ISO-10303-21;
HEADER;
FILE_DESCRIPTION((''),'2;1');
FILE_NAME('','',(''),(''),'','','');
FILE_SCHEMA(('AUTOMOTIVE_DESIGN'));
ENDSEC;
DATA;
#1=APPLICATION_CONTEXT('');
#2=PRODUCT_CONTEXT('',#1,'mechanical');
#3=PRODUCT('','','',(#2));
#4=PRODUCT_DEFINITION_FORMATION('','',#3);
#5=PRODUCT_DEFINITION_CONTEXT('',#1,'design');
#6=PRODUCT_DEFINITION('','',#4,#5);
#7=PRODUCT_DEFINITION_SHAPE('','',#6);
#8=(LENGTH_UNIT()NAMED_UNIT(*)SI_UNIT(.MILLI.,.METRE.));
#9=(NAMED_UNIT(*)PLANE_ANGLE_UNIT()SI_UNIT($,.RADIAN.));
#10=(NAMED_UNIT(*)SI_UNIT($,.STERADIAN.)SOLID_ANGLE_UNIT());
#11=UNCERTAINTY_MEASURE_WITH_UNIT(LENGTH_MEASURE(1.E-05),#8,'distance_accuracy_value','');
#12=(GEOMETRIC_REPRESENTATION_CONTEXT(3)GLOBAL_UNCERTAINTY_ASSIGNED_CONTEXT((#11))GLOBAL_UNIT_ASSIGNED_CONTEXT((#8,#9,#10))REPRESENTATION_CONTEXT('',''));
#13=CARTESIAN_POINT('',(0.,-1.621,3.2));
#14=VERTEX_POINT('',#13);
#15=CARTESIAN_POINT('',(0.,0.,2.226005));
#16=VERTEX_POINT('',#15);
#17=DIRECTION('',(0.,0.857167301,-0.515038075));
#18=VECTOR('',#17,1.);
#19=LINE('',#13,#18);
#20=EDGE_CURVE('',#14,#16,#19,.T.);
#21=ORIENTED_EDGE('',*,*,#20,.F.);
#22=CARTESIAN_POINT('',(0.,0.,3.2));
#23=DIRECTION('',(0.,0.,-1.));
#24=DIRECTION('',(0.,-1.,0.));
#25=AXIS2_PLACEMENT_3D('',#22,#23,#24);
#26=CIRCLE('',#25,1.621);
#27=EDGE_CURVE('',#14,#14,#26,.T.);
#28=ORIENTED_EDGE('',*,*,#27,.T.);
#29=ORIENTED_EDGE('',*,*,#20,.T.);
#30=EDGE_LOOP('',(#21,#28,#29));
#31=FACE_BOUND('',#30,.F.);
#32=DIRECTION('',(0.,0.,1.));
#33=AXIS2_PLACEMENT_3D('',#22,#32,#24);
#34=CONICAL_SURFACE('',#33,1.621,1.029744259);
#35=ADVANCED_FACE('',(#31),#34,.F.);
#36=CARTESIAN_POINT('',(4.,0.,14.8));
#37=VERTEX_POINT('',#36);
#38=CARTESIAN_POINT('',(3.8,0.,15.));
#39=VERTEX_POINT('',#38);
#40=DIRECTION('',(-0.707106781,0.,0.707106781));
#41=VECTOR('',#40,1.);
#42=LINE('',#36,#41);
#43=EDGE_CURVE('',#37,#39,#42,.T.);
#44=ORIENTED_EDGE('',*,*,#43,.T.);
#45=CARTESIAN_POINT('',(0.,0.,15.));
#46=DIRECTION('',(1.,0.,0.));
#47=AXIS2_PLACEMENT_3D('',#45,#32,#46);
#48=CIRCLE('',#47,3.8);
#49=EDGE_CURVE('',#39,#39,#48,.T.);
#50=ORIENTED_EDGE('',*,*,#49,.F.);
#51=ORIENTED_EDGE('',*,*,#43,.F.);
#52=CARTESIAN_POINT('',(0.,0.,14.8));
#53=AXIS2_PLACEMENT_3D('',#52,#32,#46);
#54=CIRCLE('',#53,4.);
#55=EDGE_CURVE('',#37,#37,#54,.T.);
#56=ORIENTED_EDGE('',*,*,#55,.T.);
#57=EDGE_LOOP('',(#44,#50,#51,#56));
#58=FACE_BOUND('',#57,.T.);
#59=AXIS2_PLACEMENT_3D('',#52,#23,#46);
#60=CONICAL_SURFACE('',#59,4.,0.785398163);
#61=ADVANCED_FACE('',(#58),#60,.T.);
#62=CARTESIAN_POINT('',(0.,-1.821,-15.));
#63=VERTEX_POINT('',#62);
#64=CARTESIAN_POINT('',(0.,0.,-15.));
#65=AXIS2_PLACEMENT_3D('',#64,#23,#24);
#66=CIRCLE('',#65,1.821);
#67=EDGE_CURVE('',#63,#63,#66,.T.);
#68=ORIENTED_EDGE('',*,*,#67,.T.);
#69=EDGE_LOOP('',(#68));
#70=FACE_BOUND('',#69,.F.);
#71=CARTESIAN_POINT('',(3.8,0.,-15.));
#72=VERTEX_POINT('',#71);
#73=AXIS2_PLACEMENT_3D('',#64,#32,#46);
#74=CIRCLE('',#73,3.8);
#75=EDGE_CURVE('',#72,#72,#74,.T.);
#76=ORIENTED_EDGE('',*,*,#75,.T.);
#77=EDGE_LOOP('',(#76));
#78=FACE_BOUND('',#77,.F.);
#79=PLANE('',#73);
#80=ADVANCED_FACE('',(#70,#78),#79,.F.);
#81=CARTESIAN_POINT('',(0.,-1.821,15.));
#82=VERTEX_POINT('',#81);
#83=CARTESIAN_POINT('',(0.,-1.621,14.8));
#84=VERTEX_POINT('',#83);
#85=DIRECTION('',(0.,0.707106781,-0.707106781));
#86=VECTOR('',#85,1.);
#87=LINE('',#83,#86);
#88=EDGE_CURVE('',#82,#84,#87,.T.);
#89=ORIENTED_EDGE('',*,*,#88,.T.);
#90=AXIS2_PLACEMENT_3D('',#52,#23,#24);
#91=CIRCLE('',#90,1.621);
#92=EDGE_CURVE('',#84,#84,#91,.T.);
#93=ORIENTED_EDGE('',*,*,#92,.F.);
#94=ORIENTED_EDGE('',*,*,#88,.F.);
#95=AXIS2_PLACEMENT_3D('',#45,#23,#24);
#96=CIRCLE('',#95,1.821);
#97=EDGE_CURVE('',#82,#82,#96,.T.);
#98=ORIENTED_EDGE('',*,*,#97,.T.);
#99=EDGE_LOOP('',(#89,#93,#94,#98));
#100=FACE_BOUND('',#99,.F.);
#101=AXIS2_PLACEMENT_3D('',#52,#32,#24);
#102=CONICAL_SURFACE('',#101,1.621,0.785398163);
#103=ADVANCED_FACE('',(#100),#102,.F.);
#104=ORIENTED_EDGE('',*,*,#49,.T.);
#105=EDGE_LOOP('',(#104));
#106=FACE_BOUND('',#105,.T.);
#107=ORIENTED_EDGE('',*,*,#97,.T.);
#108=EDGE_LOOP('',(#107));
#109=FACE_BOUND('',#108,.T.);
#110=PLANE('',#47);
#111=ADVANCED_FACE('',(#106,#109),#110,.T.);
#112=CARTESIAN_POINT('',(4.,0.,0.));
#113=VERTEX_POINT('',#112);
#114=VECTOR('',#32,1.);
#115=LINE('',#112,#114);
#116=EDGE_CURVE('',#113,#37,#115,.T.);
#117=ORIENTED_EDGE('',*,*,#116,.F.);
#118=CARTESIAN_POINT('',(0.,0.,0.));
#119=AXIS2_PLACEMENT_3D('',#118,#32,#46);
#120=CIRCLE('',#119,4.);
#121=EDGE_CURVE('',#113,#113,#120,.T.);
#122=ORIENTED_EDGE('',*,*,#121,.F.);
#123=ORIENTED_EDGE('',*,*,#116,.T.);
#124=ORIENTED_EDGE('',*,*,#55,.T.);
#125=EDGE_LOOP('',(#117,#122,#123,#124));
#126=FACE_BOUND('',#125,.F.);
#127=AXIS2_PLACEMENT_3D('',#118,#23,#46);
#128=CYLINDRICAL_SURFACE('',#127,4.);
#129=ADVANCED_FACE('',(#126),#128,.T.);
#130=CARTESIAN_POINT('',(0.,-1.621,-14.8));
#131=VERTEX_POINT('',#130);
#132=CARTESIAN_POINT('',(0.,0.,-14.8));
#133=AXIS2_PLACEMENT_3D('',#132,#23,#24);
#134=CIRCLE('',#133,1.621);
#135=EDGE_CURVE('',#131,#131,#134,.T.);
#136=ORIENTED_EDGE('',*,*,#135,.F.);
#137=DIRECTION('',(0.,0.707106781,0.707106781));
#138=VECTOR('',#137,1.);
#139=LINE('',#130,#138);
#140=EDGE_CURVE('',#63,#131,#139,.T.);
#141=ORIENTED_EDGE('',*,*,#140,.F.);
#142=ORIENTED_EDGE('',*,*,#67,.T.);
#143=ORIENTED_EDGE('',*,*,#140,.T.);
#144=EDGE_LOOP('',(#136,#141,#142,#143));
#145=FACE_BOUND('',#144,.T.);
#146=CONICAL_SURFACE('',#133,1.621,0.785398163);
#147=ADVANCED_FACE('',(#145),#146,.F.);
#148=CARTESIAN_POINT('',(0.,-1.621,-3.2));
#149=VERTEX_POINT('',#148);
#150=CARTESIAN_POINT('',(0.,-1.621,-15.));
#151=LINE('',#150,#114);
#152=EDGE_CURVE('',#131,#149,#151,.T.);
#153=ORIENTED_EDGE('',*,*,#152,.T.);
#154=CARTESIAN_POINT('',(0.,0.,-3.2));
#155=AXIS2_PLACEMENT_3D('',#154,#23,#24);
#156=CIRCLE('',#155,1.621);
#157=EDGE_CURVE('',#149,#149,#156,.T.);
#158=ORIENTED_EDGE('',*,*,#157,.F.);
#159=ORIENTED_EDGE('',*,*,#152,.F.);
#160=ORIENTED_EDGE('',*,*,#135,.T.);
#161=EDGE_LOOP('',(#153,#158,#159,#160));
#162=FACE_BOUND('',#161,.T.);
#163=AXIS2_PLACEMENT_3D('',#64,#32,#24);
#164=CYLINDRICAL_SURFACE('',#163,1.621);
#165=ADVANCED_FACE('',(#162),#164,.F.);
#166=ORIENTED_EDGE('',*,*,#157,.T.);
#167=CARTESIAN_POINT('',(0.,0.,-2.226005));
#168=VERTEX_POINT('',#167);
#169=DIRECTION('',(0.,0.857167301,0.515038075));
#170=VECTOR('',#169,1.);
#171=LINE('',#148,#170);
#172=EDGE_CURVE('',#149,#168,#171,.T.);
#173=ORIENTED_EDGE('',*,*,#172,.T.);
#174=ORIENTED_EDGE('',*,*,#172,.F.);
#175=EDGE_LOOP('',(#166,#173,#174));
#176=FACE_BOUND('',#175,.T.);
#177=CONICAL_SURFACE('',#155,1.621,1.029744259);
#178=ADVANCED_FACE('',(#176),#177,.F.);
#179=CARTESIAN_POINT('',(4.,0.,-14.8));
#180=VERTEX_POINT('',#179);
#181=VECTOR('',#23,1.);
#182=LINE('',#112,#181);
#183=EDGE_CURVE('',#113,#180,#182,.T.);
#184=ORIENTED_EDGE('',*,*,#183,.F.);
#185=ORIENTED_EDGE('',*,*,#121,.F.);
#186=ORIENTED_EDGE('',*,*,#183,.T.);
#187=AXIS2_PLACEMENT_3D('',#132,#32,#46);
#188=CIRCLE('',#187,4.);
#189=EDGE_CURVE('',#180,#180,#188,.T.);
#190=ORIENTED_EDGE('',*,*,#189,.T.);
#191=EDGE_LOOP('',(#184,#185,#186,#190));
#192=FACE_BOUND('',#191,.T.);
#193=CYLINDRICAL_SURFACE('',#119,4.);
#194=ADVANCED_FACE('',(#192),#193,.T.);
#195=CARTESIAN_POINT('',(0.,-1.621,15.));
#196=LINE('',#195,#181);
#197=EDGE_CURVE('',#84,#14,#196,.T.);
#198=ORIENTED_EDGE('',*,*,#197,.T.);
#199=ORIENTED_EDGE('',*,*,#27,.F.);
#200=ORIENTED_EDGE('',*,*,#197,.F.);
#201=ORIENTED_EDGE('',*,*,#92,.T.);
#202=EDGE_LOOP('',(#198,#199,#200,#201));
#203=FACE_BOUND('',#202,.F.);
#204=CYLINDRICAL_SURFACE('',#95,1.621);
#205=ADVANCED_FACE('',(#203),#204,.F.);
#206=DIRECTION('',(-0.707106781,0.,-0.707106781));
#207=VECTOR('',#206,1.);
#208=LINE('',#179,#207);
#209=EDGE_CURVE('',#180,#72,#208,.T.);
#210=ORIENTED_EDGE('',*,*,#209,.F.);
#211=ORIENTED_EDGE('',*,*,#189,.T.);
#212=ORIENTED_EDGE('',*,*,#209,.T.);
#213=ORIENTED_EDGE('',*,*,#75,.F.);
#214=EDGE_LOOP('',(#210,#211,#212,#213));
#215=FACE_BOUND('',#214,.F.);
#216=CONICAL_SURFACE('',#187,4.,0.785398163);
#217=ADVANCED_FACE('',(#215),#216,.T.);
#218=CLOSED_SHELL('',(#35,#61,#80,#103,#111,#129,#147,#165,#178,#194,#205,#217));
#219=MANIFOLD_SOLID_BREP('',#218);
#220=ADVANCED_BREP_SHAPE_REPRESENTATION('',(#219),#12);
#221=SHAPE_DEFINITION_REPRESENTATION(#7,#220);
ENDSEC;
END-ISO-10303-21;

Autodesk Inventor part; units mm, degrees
ref_plane "YZ Plane" through (0, 0, 0) normal (1, 0, 0) x (0, 1, 0)
ref_plane "XZ Plane" through (0, 0, 0) normal (0, 1, 0) x (-1, 0, 0)
ref_plane "XY Plane" through (0, 0, 0) normal (0, 0, 1) x (1, 0, 0)
sketch "スケッチ1" plane through (0, 0, 0) normal (0, 0, 1) x (1, 0, 0)
  circle A0 centre (0, 0) radius 4
  dimension "d13" = 8
extrude "押し出し1" add sketch "スケッチ1" along normal mid plane 30
sketch "スケッチ2" plane through (0, 0, 15) normal (0, 0, 1) x (1, 0, 0)
  point P0 (0, 0)
  point P1 (0, 0)
hole "穴1" at (0, 0, 15) direction (0, 0, -1) diameter 3.242 depth 11.8 tip angle 118 thread size "M4x0.7" class "6H" standard "ANSI Metric M Profile"
mirror "ミラー1" about plane through (0, 0, 0) normal (0, 0, 1) of "穴1"
chamfer "面取り1" distance 0.2 angle 45 4 edges at (0, 1.621, 15) (-4, 0, 15) (-4, 0, -15) (0, 1.621, -15)
properties part number "unir-spacer2" material "鋼、炭素鋼"
